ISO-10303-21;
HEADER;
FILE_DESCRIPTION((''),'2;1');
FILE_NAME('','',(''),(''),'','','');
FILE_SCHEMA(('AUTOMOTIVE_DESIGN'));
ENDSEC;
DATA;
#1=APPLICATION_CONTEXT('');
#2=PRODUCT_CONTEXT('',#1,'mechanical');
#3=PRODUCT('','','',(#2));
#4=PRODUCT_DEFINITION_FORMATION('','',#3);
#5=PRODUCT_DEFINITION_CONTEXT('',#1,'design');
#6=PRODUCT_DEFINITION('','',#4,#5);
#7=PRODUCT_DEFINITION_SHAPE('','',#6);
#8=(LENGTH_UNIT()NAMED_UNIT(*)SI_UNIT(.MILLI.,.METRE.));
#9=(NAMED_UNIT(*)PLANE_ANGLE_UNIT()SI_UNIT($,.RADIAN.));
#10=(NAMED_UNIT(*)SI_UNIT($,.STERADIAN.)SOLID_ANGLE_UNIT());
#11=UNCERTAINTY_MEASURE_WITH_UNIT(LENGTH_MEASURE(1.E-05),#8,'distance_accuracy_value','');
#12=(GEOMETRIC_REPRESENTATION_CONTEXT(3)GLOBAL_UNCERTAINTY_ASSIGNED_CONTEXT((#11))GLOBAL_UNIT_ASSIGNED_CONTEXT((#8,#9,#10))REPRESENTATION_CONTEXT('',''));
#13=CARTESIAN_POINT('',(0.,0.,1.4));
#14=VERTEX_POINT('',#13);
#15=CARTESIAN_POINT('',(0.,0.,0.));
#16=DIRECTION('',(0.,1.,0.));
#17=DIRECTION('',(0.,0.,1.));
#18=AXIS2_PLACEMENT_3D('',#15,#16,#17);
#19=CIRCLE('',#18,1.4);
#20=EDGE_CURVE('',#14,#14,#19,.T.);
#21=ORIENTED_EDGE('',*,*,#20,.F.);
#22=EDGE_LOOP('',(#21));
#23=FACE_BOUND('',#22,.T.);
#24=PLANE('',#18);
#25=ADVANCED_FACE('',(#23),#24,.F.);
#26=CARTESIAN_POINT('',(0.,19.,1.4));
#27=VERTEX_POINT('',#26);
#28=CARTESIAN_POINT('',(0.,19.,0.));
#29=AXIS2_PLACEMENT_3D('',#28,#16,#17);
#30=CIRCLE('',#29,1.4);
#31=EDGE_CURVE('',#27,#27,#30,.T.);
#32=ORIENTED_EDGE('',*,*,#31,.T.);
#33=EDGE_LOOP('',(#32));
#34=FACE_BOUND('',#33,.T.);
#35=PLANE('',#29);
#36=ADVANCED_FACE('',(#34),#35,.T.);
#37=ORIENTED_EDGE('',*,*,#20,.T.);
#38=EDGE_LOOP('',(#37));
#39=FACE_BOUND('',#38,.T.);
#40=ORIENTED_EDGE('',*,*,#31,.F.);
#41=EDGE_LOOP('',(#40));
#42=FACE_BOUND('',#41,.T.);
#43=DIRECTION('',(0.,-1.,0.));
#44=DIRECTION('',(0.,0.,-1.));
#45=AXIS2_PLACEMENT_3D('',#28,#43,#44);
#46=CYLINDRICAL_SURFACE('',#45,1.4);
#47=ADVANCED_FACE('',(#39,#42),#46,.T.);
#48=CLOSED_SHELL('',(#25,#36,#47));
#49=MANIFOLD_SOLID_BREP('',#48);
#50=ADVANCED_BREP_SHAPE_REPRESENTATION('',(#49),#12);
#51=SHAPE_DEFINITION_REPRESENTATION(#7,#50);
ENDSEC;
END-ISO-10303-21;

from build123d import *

# Parameters (mm, degrees)
SKETCH_1_R      = 1.4
EXTRUDE_1_DEPTH = 19


with BuildPart() as part:
    # 草图1 → 凸台-拉伸1 (new body)
    with BuildSketch(Plane(origin=(0, 0, 0), x_dir=(1, 0, 0), z_dir=(0, 1, 0))):
        with Locations(Location((0, 0, 0), (0, 0, 270))):
            Circle(SKETCH_1_R)
    extrude(amount=EXTRUDE_1_DEPTH)


solid = part.part
